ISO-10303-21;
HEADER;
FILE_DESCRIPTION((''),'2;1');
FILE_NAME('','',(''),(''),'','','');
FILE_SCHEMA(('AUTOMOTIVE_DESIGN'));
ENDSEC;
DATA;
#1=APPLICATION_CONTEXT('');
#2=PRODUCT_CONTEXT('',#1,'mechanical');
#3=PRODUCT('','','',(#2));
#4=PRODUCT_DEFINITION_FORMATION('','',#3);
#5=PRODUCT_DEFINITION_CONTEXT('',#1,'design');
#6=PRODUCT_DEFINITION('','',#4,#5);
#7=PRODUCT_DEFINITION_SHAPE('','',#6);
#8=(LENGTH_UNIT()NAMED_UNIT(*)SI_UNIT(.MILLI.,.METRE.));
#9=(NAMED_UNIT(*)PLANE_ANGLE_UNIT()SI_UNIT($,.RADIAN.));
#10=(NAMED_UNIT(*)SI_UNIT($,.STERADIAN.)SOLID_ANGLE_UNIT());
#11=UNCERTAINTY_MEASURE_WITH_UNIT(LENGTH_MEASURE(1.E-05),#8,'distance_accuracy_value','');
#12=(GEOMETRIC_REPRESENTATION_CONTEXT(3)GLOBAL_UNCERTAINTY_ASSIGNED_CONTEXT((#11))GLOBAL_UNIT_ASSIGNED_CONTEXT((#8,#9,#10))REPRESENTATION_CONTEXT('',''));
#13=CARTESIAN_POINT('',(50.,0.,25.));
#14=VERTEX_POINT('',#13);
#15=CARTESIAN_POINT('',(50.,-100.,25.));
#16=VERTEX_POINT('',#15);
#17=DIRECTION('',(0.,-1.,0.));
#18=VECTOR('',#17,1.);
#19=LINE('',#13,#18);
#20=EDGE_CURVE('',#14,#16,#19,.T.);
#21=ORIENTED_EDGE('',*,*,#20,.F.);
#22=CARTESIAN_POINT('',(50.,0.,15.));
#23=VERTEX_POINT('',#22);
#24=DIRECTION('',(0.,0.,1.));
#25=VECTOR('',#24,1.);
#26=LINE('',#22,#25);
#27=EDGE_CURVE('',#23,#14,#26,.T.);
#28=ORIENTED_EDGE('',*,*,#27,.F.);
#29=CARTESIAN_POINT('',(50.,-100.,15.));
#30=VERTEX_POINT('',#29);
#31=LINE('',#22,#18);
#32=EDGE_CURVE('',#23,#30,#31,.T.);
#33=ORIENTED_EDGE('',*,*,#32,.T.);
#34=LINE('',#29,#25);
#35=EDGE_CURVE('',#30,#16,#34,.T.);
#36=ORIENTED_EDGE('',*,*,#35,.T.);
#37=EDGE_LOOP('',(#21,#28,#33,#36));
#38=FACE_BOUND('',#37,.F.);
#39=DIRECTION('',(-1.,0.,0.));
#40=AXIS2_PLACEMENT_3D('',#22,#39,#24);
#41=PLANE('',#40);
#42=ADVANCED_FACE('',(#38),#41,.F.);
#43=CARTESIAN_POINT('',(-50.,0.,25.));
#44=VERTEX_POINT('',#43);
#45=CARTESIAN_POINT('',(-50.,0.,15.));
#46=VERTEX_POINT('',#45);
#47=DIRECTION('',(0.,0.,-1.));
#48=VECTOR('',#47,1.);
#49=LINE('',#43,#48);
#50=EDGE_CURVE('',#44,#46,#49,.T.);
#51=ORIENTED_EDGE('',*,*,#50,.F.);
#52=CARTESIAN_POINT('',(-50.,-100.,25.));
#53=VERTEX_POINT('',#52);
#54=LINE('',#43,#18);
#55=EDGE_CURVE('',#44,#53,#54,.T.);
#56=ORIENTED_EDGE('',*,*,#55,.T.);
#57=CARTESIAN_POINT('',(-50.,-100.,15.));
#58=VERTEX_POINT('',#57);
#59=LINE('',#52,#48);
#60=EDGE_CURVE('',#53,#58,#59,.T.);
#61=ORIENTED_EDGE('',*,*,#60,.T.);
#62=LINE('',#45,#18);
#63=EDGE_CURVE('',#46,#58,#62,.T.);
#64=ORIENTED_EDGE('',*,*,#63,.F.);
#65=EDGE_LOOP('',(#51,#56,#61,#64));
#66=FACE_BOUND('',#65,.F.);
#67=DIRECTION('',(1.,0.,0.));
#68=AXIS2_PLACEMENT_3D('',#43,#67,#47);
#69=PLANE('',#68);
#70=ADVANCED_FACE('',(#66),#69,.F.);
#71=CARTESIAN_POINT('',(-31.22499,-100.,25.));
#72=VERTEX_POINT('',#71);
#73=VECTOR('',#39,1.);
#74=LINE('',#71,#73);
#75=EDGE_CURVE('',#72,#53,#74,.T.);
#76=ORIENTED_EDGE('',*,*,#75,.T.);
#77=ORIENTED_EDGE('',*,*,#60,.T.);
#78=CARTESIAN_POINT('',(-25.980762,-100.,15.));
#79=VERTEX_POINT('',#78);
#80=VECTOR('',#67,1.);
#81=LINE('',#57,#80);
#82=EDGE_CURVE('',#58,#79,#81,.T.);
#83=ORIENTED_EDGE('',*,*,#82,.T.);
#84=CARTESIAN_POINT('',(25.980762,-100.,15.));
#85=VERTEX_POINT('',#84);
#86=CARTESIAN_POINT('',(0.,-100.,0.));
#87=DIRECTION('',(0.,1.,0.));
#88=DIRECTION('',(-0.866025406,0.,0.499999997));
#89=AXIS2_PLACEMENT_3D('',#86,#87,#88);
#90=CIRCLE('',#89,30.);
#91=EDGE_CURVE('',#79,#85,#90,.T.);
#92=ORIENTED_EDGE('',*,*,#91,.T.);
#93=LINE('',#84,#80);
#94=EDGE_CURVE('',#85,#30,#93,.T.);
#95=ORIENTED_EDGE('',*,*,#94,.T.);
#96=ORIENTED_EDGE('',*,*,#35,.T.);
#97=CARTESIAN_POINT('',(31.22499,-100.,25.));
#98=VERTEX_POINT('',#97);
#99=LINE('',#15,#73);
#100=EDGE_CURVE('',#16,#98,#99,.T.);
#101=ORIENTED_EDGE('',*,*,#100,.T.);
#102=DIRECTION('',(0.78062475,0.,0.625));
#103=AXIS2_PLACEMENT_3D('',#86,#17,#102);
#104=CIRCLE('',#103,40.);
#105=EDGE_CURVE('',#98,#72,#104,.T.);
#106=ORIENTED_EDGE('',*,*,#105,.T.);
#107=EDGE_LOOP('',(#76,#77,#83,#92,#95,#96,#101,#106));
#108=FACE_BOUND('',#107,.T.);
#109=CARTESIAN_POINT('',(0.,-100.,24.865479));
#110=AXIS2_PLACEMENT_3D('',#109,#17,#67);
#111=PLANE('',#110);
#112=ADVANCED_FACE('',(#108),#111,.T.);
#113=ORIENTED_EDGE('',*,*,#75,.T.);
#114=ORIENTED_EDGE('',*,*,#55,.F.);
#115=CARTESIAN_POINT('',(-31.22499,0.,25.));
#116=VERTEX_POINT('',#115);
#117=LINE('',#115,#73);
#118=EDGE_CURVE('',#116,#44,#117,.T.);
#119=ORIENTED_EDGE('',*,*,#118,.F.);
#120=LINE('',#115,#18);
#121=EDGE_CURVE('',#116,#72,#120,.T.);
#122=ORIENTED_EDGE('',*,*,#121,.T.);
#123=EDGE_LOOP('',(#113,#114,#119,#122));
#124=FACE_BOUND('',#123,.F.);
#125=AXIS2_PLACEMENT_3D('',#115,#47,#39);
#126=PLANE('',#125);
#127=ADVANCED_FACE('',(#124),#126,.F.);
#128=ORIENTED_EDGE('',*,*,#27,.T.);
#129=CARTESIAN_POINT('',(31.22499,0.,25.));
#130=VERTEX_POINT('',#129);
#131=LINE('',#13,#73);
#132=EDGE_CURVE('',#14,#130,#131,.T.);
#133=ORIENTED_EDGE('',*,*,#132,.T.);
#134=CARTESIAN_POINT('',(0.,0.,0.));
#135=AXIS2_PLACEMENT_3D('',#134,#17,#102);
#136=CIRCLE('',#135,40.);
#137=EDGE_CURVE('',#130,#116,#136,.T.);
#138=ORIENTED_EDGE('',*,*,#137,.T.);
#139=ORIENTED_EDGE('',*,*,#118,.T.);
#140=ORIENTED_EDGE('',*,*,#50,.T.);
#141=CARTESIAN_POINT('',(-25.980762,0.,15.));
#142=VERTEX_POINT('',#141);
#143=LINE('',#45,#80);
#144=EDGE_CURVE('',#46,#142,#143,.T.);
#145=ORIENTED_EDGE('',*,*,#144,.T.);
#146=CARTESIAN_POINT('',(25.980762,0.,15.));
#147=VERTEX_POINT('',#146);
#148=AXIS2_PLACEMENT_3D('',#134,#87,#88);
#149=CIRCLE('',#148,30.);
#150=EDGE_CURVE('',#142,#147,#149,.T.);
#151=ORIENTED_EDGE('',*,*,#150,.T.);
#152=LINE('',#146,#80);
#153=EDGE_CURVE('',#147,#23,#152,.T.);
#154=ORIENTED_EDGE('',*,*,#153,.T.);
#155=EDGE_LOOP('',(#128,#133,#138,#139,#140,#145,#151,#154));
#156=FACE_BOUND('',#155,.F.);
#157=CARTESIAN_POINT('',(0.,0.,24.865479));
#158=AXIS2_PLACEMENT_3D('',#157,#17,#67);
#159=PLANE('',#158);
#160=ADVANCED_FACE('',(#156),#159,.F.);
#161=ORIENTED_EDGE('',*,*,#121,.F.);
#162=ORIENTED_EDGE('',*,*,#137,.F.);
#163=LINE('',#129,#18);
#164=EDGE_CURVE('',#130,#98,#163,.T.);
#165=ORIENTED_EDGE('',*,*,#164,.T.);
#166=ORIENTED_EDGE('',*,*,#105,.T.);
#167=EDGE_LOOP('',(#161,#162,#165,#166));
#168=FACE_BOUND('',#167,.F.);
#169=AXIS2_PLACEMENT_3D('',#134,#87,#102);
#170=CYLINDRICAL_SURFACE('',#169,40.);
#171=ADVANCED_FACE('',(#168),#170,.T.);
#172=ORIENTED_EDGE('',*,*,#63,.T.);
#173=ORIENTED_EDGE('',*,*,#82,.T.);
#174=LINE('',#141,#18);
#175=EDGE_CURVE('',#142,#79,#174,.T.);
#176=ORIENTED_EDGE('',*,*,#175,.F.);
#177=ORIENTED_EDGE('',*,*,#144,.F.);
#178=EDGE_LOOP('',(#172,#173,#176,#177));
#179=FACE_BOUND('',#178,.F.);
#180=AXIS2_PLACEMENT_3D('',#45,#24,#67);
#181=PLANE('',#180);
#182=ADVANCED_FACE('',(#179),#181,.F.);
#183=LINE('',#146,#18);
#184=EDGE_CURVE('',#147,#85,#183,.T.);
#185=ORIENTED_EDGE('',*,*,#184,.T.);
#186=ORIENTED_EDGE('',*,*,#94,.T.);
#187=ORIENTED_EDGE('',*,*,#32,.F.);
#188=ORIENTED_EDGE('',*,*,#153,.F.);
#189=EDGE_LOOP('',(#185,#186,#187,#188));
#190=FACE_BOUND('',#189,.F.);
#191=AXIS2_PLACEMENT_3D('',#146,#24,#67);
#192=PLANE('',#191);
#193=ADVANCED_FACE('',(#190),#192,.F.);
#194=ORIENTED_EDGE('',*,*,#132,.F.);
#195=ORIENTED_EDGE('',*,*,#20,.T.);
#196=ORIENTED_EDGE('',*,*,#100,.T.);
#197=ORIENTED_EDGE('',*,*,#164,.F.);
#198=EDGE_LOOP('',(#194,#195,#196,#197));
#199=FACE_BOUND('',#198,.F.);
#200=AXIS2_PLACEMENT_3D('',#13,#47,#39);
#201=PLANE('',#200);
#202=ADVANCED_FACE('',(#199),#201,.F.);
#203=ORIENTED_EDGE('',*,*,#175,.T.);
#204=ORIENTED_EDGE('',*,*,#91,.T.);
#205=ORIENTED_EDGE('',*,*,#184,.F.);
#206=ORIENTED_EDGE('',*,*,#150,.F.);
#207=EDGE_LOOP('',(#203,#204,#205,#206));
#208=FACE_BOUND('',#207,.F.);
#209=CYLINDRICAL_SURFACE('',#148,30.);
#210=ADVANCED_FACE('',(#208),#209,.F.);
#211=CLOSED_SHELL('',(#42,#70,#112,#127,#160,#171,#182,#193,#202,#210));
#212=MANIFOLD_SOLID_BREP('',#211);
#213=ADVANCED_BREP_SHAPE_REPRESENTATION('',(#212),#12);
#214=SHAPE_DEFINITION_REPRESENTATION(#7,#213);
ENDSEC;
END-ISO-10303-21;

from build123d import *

# Parameters (mm, degrees)
F1_DEPTH = 100


with BuildPart() as f1:
    # F0 (on Front) → F1 (new body)
    with BuildSketch(Plane.XZ):
        with BuildLine():
            Line((50, 15), (50, 25))
            Line((50, 25), (31.22499, 25))
            ThreePointArc((31.22499, 25), (0, 40), (-31.22499, 25))
            Line((-31.22499, 25), (-50, 25))
            Line((-50, 25), (-50, 15))
            Line((-50, 15), (-25.980762, 15))
            ThreePointArc((-25.980762, 15), (0, 30), (25.980762, 15))
            Line((25.980762, 15), (50, 15))
        make_face()
    extrude(amount=F1_DEPTH)


solid = f1.part
